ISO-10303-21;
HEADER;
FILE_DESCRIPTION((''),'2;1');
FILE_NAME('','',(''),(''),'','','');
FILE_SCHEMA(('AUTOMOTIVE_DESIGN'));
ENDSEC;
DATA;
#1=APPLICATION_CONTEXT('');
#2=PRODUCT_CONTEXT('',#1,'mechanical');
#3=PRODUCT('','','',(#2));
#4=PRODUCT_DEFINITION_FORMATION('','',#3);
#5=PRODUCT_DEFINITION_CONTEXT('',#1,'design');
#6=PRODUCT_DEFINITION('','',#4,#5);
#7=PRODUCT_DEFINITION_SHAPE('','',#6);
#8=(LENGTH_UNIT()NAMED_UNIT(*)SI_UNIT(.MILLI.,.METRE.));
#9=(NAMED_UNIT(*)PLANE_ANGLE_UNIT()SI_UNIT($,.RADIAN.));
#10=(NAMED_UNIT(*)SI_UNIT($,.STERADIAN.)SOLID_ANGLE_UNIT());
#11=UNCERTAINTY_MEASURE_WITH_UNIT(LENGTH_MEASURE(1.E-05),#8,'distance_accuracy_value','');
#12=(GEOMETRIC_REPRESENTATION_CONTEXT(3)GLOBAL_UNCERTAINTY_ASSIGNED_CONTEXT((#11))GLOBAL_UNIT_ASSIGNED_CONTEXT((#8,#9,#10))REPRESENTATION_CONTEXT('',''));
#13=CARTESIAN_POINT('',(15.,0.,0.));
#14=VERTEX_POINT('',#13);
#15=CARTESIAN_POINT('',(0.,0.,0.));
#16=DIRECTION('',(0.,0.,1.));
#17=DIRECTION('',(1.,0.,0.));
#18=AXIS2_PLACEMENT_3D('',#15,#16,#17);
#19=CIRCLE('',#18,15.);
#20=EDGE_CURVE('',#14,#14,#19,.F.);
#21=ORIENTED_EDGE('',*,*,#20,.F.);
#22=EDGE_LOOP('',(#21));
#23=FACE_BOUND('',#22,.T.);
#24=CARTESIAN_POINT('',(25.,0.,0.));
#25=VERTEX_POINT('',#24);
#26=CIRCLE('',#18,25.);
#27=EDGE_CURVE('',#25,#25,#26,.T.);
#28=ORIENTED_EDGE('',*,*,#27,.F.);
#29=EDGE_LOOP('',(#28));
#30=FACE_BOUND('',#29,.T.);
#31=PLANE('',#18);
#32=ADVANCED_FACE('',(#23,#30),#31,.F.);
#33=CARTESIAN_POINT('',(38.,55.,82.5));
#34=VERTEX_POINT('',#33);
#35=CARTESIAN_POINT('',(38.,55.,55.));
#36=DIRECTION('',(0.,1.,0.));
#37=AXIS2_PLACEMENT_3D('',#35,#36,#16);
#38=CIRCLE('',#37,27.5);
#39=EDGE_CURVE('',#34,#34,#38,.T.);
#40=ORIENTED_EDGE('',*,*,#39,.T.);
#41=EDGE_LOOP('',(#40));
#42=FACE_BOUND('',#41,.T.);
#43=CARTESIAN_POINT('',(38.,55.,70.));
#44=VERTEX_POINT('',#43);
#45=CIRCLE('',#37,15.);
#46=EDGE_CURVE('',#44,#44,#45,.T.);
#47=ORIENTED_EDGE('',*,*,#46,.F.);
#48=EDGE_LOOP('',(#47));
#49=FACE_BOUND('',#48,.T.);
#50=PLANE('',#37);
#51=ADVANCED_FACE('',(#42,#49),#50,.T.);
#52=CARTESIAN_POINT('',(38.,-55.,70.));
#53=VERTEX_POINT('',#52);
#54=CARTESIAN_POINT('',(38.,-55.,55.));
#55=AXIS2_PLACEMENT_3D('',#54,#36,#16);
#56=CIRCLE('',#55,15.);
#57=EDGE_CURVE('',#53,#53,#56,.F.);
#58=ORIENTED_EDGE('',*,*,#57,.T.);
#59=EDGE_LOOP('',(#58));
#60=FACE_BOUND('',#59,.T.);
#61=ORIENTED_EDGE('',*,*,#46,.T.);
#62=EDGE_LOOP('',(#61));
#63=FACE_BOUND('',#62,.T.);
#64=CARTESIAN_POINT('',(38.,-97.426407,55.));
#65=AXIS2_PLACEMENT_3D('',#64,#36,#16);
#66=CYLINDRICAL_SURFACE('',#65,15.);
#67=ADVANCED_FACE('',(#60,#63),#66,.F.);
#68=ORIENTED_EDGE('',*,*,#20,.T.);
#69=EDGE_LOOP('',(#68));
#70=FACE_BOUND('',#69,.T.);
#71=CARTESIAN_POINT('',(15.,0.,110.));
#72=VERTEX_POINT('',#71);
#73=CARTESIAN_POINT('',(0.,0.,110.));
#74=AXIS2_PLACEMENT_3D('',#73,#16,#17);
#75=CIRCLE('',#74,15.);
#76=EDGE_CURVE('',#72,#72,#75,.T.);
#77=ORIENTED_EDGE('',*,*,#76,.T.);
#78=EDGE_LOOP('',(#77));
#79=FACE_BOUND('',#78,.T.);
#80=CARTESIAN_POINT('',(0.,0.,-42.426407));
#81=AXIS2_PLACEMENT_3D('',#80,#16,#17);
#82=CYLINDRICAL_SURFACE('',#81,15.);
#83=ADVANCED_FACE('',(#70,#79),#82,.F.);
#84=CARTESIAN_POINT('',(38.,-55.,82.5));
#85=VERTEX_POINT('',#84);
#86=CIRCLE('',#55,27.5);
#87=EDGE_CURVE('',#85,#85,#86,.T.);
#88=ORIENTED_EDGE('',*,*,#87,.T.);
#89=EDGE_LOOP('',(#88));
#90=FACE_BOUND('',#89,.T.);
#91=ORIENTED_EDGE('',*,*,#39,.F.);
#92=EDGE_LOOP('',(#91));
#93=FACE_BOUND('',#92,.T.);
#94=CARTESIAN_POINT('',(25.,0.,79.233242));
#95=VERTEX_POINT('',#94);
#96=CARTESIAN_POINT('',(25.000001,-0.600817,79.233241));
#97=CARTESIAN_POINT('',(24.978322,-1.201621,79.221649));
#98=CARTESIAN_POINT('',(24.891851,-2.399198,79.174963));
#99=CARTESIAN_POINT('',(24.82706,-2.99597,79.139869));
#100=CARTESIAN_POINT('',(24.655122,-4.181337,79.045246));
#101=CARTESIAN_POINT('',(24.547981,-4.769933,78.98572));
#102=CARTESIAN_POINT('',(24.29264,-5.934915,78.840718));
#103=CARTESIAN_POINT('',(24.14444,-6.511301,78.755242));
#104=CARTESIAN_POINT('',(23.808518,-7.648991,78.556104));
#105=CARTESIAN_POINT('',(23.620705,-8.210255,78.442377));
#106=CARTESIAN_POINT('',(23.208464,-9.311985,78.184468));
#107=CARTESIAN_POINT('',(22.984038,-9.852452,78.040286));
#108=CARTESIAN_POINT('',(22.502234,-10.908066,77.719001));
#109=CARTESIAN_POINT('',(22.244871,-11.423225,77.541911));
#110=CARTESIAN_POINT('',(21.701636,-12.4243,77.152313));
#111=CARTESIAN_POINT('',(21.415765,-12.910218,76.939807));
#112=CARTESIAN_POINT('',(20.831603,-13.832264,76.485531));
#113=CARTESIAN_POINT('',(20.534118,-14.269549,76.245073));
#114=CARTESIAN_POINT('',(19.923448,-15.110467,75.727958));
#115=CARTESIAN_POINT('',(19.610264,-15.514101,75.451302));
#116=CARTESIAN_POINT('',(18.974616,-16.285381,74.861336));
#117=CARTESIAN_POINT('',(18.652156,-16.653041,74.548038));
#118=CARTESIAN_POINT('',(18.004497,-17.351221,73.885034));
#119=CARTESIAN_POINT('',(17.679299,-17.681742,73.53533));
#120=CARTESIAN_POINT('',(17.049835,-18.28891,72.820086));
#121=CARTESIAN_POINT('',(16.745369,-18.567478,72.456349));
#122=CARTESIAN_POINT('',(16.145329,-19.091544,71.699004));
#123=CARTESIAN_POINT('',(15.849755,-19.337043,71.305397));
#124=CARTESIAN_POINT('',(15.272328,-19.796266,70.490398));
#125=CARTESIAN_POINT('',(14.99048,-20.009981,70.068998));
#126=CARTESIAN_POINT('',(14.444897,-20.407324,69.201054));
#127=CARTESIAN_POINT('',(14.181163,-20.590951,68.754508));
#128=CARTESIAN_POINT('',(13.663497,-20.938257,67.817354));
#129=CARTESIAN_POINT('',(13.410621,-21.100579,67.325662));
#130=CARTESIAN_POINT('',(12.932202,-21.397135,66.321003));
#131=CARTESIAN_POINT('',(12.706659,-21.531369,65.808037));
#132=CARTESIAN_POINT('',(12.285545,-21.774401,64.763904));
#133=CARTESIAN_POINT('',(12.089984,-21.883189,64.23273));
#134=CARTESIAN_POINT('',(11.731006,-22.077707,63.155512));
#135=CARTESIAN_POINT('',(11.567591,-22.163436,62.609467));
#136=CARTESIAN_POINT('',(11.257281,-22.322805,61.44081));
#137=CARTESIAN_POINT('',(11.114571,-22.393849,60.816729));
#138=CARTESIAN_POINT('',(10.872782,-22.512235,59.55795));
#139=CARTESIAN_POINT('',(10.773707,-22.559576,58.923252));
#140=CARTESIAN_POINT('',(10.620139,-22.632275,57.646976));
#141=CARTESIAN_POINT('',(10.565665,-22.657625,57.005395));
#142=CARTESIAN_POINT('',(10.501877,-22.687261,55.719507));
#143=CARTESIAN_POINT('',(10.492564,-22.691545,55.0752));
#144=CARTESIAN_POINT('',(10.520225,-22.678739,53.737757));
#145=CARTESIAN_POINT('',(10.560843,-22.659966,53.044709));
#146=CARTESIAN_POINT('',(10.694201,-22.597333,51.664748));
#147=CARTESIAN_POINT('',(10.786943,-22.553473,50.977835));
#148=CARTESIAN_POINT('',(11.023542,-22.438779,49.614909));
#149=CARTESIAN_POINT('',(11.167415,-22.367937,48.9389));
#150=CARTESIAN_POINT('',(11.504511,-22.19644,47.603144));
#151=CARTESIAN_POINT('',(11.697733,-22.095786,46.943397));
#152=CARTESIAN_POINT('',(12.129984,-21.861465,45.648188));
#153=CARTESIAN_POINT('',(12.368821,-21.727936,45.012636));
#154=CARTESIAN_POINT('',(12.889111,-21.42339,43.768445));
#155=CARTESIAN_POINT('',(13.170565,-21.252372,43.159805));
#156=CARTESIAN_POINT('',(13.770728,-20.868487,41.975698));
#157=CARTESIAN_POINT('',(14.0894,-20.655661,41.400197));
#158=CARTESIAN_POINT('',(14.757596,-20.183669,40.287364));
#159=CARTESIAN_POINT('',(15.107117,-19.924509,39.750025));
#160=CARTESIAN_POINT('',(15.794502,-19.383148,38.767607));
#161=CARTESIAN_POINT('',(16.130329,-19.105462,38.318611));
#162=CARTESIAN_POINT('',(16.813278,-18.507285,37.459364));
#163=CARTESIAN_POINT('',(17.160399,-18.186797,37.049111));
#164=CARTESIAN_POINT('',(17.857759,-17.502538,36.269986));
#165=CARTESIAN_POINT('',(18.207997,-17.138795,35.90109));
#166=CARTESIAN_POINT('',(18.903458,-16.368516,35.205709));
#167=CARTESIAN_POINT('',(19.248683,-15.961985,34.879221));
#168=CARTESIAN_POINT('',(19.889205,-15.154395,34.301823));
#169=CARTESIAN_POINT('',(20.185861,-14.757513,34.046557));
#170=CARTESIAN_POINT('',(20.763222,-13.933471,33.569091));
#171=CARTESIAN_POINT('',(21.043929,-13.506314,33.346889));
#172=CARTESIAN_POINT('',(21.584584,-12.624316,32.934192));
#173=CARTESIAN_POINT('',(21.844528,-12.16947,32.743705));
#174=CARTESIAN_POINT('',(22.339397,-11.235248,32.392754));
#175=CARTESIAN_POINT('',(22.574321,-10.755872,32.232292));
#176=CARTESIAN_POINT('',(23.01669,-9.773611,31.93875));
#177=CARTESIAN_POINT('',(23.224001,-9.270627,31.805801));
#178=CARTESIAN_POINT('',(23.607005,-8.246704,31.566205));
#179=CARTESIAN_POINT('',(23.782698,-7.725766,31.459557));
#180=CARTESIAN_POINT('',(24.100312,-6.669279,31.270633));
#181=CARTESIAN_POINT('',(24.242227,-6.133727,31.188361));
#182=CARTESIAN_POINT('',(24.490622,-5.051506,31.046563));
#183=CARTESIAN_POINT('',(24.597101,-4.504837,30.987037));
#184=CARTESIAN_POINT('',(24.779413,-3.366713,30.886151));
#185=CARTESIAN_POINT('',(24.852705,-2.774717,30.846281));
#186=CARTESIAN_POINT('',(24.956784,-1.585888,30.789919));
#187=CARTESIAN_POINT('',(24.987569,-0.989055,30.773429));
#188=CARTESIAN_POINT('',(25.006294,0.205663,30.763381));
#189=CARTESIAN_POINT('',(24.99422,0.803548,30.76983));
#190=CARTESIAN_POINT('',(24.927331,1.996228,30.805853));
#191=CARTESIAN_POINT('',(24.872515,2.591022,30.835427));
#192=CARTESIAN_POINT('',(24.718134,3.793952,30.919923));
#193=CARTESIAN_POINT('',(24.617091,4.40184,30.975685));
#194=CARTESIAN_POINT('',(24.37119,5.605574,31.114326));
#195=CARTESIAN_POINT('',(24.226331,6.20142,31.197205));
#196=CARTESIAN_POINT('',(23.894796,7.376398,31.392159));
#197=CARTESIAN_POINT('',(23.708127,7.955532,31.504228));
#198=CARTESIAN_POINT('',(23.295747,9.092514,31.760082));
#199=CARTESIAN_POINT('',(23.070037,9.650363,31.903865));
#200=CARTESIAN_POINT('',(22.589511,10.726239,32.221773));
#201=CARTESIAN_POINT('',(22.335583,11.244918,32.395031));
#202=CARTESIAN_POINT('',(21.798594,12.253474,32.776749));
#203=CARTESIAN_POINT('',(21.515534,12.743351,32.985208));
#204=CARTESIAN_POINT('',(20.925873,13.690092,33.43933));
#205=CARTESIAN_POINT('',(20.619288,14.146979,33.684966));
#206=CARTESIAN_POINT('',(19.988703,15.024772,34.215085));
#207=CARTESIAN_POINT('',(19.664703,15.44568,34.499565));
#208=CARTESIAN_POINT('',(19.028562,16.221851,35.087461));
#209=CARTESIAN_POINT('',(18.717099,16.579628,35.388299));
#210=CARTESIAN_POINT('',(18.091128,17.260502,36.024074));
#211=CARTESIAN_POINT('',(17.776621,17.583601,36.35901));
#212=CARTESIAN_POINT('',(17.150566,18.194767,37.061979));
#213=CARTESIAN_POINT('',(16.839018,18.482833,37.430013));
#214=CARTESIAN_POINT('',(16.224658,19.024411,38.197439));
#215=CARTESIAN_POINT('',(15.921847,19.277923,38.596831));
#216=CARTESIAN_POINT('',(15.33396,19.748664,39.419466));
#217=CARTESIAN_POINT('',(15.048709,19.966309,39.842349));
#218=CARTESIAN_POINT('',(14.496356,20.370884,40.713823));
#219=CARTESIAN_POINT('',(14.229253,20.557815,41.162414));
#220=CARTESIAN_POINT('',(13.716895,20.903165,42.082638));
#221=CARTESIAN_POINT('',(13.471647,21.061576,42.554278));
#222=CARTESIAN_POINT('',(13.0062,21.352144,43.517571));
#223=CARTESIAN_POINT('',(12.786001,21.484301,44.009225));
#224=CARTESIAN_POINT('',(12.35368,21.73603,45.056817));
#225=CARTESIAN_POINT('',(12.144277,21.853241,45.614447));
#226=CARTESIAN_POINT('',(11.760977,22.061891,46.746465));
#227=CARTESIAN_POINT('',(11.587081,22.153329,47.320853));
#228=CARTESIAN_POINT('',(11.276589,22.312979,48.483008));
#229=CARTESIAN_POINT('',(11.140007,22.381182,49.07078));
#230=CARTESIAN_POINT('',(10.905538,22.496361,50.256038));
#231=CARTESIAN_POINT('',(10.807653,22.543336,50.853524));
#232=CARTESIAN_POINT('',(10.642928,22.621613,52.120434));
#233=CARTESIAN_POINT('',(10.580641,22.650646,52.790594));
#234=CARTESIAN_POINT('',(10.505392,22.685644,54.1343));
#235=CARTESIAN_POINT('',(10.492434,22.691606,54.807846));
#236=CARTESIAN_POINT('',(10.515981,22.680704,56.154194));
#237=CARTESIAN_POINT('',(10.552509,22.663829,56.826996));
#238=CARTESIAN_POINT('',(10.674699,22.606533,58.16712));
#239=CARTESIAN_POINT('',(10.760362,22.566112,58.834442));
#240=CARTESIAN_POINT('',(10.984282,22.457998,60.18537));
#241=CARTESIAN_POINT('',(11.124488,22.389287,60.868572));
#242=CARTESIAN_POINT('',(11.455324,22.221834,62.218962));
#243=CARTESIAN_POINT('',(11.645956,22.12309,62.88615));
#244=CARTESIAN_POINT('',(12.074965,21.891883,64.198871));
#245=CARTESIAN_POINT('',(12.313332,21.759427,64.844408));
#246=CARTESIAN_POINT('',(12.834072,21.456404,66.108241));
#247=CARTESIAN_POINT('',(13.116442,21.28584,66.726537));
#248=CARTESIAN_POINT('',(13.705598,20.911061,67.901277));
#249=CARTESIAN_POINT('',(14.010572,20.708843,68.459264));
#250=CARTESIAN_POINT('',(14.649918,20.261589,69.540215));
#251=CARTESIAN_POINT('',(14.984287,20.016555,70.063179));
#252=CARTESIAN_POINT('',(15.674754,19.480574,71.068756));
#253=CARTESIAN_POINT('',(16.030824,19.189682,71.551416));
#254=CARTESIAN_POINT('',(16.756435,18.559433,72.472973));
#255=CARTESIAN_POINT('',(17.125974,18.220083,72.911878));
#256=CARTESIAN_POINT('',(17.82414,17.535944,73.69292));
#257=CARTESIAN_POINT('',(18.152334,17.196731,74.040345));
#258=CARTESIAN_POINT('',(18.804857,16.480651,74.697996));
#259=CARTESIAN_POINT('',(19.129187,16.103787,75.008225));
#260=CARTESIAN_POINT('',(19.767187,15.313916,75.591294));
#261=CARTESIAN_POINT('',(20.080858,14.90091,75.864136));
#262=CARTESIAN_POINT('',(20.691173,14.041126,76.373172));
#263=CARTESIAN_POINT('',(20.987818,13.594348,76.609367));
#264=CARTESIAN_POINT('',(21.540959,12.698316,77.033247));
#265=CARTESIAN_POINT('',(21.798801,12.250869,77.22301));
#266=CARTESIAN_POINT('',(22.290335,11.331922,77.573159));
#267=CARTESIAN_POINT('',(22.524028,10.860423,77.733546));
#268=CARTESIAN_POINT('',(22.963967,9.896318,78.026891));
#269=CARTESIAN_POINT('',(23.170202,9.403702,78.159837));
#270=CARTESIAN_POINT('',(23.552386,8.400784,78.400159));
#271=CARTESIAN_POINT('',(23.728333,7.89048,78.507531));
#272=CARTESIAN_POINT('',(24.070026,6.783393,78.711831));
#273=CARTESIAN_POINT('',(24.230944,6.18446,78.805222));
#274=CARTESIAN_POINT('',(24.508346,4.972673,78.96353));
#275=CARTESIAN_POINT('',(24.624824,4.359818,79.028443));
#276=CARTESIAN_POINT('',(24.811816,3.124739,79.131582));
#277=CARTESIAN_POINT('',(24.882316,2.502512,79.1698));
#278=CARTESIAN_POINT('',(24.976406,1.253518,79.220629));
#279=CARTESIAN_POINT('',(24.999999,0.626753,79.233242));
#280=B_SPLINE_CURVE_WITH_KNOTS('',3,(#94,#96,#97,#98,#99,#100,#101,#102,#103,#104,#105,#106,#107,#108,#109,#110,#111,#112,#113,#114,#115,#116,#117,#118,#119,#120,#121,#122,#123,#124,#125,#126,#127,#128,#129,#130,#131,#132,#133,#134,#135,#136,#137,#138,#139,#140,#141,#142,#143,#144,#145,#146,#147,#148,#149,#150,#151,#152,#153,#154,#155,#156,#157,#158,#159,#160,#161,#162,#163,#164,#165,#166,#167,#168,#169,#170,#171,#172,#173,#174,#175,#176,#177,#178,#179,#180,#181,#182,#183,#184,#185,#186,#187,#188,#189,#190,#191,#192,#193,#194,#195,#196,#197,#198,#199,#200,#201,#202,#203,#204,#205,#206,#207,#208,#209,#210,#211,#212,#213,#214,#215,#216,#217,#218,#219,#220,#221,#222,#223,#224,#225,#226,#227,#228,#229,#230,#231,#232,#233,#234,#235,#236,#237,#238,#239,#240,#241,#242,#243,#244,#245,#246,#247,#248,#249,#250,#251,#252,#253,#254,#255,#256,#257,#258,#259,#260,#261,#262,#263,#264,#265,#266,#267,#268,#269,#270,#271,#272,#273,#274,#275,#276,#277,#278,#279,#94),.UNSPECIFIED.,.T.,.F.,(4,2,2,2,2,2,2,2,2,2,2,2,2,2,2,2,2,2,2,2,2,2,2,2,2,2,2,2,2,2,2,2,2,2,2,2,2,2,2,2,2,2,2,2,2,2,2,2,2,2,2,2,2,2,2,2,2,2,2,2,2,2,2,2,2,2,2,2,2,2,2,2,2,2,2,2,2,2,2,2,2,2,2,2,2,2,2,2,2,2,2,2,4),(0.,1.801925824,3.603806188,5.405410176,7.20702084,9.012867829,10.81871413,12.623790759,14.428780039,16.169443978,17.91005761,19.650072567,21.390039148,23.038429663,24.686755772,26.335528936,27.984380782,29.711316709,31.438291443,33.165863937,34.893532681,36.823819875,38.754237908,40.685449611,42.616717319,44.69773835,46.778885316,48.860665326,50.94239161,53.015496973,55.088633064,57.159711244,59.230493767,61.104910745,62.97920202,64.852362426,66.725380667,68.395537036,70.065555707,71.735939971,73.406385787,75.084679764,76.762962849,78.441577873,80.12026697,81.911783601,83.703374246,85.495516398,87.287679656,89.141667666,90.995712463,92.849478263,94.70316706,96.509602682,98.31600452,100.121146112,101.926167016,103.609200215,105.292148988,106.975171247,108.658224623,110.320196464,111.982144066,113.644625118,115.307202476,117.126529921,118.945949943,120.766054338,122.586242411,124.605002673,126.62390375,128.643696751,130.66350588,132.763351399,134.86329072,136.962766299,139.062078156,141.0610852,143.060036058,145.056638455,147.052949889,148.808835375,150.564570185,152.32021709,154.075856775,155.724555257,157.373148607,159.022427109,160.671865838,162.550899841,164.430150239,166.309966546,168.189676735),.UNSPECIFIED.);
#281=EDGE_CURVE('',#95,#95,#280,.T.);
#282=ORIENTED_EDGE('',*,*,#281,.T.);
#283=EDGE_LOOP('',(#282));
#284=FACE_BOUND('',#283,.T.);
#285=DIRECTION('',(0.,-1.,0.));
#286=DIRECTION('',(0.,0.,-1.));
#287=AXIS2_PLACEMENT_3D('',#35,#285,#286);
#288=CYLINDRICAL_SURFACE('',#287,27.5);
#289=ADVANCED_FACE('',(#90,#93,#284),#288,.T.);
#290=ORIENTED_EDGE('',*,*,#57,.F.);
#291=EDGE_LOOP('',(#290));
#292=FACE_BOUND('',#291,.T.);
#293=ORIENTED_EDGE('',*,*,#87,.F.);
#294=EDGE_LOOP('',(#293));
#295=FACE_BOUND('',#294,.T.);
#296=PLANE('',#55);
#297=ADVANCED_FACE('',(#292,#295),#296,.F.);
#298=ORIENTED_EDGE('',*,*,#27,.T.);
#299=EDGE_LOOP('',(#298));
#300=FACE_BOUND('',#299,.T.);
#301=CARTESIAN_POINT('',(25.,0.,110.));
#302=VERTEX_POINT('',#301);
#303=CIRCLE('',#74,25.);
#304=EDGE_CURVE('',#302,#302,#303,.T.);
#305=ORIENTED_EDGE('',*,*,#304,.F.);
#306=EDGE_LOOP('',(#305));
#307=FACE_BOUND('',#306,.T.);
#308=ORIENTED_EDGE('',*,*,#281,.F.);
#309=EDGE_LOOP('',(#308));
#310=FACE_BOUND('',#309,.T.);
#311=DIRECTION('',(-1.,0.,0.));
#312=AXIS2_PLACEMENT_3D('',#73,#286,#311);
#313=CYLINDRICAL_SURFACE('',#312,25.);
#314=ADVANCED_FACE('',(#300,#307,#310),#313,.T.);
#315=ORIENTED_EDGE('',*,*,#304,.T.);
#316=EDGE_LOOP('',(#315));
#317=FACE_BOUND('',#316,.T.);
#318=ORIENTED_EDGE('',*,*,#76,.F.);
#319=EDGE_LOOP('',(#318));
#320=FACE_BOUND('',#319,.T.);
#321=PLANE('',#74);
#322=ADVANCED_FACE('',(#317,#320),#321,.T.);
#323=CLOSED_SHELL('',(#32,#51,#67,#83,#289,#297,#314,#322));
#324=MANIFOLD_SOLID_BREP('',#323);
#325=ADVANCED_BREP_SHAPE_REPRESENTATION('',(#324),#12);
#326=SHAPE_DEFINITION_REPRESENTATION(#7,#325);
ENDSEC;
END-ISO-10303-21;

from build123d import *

# Parameters (mm, degrees)
SKETCH1_R           = 25
BOSS_EXTRUDE1_DEPTH = 110
SKETCH2_R           = 27.5
BOSS_EXTRUDE2_DEPTH = 55
SKETCH3_R           = 15
CUT_EXTRUDE1_DEPTH  = 110
SKETCH4_R           = 15
CUT_EXTRUDE3_DEPTH  = 110


with BuildPart() as part:
    # Sketch1 → Boss-Extrude1 (new body)
    with BuildSketch(Plane.XY):
        Circle(SKETCH1_R)
    extrude(amount=BOSS_EXTRUDE1_DEPTH)

    # Sketch2 → Boss-Extrude2 (add, symmetric)
    with BuildSketch(Plane(origin=(0, 0, 0), x_dir=(1, 0, 0), z_dir=(0, 1, 0))):
        with Locations((38, -55)):
            Circle(SKETCH2_R)
    extrude(amount=BOSS_EXTRUDE2_DEPTH, both=True)

    # Sketch3 → Cut-Extrude1 (cut)
    with BuildSketch(Plane.XY.offset(110)):
        Circle(SKETCH3_R)
    extrude(amount=-CUT_EXTRUDE1_DEPTH, mode=Mode.SUBTRACT)

    # Sketch4 → Cut-Extrude3 (cut)
    with BuildSketch(Plane(origin=(0, 55, 0), x_dir=(1, 0, 0), z_dir=(0, 1, 0))):
        with Locations((38, -55)):
            Circle(SKETCH4_R)
    extrude(amount=-CUT_EXTRUDE3_DEPTH, mode=Mode.SUBTRACT)


solid = part.part
